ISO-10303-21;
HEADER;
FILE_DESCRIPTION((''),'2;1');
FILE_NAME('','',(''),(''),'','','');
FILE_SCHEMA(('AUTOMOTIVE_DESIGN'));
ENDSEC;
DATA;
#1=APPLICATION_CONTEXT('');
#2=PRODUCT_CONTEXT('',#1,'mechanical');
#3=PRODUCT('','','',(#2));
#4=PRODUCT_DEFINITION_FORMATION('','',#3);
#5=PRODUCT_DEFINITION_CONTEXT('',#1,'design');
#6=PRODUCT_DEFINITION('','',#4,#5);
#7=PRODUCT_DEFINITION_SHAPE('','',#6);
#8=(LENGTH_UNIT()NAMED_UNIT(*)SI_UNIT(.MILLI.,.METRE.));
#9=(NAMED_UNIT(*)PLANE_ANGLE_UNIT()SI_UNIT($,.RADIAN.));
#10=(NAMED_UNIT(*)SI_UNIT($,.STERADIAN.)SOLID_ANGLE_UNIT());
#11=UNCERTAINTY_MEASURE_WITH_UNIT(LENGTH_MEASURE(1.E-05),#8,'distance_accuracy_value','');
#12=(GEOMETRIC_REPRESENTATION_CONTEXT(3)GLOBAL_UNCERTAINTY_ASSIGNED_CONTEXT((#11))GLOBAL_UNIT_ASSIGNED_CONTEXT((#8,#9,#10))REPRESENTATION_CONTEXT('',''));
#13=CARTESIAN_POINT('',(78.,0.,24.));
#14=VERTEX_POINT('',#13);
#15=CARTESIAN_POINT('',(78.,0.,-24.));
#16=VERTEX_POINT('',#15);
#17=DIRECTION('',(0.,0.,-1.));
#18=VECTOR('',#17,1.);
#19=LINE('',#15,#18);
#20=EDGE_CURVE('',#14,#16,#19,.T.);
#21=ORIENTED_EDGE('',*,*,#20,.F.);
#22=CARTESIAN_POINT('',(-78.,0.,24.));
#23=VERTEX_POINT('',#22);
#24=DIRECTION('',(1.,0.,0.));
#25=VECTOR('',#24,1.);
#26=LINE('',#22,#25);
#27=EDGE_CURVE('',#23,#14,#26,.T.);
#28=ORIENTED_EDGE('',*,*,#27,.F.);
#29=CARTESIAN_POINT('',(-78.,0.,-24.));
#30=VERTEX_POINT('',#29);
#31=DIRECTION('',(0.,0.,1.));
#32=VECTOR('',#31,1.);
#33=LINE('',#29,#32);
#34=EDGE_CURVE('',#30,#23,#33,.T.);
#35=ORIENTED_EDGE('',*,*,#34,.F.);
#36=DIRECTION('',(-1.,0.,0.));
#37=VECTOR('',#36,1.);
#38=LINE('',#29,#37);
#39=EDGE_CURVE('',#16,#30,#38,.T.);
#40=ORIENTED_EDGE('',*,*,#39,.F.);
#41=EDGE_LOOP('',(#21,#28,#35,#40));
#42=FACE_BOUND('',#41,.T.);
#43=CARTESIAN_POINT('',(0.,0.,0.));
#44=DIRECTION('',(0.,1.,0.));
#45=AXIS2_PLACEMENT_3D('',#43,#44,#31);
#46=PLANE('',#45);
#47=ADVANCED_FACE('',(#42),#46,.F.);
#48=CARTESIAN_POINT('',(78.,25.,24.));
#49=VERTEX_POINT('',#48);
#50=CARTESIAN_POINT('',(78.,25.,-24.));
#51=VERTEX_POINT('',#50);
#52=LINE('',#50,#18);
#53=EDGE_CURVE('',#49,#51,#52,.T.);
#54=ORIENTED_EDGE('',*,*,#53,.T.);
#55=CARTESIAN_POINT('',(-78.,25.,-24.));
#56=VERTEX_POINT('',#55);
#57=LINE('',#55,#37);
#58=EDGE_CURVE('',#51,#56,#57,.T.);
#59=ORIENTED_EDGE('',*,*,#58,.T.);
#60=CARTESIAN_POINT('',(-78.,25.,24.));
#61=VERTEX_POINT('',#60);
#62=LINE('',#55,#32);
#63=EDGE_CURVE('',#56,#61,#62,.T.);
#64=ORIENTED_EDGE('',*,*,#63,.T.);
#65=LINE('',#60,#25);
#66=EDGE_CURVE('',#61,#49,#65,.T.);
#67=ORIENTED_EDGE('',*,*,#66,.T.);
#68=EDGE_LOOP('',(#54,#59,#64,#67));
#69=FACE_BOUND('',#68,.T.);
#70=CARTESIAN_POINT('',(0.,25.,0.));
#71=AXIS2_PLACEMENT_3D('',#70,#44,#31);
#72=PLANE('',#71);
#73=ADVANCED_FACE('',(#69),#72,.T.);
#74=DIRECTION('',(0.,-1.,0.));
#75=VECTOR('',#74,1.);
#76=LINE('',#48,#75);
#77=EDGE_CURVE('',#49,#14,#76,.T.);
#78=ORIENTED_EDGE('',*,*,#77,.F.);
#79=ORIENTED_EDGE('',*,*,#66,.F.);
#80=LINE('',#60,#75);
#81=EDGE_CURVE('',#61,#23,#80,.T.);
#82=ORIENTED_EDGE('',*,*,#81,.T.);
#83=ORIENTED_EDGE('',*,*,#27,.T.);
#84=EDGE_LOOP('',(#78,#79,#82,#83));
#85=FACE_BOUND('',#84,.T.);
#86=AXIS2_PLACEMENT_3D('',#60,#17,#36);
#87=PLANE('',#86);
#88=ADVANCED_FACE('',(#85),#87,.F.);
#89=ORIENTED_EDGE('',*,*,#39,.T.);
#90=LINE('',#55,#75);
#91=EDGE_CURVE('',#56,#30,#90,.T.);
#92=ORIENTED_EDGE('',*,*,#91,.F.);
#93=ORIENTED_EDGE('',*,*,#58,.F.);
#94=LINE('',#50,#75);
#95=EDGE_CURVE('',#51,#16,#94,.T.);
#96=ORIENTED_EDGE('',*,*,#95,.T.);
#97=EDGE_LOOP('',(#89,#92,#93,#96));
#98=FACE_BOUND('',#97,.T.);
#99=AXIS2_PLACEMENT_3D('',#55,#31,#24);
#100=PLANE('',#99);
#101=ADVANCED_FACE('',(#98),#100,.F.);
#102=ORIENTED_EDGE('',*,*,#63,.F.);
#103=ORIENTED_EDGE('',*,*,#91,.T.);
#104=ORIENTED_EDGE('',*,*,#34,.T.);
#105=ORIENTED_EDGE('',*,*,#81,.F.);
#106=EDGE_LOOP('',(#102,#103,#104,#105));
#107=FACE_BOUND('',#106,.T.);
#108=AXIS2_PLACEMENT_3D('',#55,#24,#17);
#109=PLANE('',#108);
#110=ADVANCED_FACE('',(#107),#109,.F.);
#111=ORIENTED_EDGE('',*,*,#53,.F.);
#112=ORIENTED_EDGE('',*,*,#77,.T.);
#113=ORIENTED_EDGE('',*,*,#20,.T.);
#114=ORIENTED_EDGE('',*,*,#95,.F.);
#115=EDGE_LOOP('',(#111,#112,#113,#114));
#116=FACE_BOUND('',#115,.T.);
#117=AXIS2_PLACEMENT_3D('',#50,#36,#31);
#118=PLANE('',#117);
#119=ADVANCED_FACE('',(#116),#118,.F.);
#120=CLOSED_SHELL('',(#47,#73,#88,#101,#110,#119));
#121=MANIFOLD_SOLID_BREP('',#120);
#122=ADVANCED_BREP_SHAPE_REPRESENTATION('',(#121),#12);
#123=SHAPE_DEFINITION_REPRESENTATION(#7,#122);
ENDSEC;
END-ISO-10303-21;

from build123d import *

# Parameters (mm, degrees)
ESQUISSE1_W        = 156
ESQUISSE1_H        = 48
BOSS_EXTRU_1_DEPTH = 25


with BuildPart() as part:
    # Esquisse1 → Boss.-Extru.1 (new body)
    with BuildSketch(Plane(origin=(0, 0, 0), x_dir=(1, 0, 0), z_dir=(0, 1, 0))):
        Rectangle(ESQUISSE1_W, ESQUISSE1_H)
    extrude(amount=BOSS_EXTRU_1_DEPTH)


solid = part.part
